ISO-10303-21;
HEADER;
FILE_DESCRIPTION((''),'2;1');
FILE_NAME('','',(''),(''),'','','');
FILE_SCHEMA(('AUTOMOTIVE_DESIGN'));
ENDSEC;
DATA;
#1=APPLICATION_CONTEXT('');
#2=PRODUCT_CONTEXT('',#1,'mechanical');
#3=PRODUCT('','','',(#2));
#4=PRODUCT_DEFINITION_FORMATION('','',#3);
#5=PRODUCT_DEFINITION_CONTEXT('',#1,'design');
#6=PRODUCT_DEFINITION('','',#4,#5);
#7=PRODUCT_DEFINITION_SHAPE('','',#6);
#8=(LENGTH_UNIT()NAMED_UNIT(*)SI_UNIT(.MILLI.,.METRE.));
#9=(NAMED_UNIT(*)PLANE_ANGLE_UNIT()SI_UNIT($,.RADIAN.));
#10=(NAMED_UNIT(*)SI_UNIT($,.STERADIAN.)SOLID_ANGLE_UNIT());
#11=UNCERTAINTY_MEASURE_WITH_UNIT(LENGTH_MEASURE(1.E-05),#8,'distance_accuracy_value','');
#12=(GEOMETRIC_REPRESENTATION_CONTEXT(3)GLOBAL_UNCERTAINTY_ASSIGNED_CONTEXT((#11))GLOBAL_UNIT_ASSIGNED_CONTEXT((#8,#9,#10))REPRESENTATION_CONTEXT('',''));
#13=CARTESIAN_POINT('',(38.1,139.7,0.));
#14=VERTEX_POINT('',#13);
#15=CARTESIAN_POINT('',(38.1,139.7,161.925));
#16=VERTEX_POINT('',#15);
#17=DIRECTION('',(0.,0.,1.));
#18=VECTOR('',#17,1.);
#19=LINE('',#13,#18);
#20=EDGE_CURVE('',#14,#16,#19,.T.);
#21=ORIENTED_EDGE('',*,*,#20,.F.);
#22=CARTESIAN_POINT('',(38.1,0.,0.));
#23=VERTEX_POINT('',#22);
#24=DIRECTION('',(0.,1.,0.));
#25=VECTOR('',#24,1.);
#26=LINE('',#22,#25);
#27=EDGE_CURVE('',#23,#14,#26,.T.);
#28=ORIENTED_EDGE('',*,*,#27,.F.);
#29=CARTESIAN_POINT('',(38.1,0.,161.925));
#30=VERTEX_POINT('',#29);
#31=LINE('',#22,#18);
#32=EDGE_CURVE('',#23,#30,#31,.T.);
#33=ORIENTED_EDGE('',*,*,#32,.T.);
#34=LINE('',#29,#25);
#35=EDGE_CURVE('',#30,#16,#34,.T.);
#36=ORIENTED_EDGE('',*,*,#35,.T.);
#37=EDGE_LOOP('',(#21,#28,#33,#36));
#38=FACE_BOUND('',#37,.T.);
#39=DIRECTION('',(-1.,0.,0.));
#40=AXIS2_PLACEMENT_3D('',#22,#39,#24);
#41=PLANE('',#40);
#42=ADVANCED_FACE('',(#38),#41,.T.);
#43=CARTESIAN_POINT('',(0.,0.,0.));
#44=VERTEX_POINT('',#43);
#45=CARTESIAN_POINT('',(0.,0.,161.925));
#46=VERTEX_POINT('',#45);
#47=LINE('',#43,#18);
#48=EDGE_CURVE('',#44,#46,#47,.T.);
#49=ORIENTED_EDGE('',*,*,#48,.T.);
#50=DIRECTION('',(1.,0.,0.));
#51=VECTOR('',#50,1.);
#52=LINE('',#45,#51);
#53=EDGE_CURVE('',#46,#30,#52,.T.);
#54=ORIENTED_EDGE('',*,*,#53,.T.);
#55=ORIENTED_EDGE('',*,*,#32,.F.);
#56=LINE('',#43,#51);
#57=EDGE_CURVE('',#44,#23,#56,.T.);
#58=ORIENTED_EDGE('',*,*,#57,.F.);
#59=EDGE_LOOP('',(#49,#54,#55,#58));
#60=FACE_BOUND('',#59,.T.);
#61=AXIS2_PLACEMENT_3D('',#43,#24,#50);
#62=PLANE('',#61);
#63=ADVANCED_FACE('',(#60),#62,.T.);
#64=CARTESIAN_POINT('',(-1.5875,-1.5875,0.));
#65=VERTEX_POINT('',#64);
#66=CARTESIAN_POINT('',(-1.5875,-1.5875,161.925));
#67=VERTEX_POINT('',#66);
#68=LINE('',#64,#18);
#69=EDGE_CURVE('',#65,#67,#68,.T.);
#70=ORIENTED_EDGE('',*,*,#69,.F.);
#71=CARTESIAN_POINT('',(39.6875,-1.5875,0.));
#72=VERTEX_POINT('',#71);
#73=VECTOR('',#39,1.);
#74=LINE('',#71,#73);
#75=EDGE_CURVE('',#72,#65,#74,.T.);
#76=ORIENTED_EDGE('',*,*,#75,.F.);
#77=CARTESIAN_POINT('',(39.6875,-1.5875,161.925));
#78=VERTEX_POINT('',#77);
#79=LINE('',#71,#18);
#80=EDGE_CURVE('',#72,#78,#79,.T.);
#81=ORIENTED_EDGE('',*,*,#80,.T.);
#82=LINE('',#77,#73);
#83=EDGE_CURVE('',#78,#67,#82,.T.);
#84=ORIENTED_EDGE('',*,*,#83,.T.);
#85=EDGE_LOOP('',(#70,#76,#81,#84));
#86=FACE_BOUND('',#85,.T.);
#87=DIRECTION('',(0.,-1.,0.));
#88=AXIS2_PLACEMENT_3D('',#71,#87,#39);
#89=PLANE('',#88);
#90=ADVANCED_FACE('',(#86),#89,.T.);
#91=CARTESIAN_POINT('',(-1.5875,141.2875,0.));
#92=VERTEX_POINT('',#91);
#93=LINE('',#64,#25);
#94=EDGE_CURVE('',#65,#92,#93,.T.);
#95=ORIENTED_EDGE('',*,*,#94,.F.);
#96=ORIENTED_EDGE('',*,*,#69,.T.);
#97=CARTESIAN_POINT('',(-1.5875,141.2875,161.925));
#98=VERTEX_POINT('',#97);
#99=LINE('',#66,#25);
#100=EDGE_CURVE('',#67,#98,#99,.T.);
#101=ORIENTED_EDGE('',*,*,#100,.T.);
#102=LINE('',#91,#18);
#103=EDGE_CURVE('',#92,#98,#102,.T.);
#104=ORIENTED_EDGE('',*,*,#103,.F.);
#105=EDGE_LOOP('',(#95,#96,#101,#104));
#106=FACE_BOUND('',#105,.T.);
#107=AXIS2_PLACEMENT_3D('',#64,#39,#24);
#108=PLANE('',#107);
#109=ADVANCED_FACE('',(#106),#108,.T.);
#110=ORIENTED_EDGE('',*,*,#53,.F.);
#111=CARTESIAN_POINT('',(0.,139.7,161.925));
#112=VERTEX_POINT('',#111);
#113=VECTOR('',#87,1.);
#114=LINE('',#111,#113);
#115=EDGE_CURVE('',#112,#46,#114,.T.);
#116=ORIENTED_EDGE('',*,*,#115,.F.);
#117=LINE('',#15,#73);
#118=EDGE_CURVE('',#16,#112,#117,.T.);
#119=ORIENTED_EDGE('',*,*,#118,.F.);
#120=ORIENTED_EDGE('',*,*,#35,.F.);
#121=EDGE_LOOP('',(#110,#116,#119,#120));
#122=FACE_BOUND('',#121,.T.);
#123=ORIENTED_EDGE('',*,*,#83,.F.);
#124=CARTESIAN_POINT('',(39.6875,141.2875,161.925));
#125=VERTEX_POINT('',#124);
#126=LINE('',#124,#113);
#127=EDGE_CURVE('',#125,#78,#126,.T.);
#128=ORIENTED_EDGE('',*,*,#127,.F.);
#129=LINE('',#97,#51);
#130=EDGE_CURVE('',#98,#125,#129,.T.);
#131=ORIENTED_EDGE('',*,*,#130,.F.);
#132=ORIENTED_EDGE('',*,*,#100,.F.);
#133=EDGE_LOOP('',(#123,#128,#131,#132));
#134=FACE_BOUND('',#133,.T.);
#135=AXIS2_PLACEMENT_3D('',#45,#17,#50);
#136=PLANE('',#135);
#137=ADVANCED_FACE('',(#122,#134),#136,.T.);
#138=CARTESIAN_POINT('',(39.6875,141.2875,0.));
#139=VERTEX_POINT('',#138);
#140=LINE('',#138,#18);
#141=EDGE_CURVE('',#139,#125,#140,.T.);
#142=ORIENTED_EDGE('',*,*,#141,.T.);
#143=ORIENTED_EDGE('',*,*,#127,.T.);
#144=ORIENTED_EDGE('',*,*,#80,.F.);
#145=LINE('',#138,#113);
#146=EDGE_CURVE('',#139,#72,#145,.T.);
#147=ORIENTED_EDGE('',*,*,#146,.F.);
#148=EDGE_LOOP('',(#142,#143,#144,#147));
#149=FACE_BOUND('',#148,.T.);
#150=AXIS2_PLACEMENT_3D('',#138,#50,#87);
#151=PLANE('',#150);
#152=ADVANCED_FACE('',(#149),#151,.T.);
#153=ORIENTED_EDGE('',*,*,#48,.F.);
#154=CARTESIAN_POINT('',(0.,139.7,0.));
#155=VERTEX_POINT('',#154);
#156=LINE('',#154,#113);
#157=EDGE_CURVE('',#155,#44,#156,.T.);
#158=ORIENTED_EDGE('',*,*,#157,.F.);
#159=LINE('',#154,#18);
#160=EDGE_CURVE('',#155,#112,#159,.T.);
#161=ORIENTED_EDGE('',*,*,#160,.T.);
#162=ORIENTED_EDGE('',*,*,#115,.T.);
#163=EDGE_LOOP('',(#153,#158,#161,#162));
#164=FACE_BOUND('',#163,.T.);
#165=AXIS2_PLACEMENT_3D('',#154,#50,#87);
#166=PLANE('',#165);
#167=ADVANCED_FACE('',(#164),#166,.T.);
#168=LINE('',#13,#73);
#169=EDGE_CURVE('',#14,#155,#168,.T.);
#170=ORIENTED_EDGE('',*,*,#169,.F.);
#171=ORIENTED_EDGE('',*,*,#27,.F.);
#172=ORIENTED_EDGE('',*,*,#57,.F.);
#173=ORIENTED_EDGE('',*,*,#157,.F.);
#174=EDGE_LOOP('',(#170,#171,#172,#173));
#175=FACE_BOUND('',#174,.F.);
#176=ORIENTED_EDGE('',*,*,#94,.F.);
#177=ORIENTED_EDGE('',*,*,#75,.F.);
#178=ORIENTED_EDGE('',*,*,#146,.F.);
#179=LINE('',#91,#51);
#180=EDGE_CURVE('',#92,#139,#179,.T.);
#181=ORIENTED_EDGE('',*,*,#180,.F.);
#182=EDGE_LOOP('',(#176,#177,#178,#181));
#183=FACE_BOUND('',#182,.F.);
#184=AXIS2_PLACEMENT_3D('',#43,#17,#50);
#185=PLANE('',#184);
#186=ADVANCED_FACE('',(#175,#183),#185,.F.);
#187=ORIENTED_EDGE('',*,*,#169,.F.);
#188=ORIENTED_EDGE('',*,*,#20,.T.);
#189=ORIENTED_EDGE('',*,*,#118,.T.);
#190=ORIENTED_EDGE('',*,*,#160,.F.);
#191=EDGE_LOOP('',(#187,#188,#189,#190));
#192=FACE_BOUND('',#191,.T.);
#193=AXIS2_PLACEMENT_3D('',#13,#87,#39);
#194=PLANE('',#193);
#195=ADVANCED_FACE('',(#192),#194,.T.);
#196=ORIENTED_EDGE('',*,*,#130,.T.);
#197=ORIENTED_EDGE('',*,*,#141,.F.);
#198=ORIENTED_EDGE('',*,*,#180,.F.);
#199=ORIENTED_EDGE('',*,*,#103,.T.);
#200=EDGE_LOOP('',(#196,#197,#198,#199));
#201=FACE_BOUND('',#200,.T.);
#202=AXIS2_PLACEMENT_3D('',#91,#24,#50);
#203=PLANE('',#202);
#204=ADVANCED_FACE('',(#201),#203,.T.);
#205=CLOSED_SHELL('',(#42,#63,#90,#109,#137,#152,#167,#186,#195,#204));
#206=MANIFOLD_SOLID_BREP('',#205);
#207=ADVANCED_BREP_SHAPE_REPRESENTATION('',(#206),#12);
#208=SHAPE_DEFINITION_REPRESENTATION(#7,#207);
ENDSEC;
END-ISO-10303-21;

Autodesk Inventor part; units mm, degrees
ref_plane "YZ Plane" through (0, 0, 0) normal (1, 0, 0) x (0, 1, 0)
ref_plane "XZ Plane" through (0, 0, 0) normal (0, 1, 0) x (-1, 0, 0)
ref_plane "XY Plane" through (0, 0, 0) normal (0, 0, 1) x (1, 0, 0)
sketch "Sketch1" plane through (0, 0, 0) normal (0, 0, 1) x (1, 0, 0)
  line L0 (0, 0) -> (38.1, 0)
  line L1 (38.1, 0) -> (38.1, 139.7)
  line L2 (38.1, 139.7) -> (0, 139.7)
  line L3 (0, 139.7) -> (0, 0)
  line L4 (-1.5875, 141.2875) -> (39.6875, 141.2875)
  line L5 (39.6875, 141.2875) -> (39.6875, -1.5875)
  line L6 (39.6875, -1.5875) -> (-1.5875, -1.5875)
  line L7 (-1.5875, -1.5875) -> (-1.5875, 141.2875)
  dimension "d1" = 139.7
  dimension "d2" = 38.1
  dimension "d3" = 1.5875
extrude "Extrusion1" add sketch "Sketch1" along normal blind 161.925
properties part number "Tube_Of_Underlayment_For_Joist_With_Length_6.5_Inches" material "Rubber"
